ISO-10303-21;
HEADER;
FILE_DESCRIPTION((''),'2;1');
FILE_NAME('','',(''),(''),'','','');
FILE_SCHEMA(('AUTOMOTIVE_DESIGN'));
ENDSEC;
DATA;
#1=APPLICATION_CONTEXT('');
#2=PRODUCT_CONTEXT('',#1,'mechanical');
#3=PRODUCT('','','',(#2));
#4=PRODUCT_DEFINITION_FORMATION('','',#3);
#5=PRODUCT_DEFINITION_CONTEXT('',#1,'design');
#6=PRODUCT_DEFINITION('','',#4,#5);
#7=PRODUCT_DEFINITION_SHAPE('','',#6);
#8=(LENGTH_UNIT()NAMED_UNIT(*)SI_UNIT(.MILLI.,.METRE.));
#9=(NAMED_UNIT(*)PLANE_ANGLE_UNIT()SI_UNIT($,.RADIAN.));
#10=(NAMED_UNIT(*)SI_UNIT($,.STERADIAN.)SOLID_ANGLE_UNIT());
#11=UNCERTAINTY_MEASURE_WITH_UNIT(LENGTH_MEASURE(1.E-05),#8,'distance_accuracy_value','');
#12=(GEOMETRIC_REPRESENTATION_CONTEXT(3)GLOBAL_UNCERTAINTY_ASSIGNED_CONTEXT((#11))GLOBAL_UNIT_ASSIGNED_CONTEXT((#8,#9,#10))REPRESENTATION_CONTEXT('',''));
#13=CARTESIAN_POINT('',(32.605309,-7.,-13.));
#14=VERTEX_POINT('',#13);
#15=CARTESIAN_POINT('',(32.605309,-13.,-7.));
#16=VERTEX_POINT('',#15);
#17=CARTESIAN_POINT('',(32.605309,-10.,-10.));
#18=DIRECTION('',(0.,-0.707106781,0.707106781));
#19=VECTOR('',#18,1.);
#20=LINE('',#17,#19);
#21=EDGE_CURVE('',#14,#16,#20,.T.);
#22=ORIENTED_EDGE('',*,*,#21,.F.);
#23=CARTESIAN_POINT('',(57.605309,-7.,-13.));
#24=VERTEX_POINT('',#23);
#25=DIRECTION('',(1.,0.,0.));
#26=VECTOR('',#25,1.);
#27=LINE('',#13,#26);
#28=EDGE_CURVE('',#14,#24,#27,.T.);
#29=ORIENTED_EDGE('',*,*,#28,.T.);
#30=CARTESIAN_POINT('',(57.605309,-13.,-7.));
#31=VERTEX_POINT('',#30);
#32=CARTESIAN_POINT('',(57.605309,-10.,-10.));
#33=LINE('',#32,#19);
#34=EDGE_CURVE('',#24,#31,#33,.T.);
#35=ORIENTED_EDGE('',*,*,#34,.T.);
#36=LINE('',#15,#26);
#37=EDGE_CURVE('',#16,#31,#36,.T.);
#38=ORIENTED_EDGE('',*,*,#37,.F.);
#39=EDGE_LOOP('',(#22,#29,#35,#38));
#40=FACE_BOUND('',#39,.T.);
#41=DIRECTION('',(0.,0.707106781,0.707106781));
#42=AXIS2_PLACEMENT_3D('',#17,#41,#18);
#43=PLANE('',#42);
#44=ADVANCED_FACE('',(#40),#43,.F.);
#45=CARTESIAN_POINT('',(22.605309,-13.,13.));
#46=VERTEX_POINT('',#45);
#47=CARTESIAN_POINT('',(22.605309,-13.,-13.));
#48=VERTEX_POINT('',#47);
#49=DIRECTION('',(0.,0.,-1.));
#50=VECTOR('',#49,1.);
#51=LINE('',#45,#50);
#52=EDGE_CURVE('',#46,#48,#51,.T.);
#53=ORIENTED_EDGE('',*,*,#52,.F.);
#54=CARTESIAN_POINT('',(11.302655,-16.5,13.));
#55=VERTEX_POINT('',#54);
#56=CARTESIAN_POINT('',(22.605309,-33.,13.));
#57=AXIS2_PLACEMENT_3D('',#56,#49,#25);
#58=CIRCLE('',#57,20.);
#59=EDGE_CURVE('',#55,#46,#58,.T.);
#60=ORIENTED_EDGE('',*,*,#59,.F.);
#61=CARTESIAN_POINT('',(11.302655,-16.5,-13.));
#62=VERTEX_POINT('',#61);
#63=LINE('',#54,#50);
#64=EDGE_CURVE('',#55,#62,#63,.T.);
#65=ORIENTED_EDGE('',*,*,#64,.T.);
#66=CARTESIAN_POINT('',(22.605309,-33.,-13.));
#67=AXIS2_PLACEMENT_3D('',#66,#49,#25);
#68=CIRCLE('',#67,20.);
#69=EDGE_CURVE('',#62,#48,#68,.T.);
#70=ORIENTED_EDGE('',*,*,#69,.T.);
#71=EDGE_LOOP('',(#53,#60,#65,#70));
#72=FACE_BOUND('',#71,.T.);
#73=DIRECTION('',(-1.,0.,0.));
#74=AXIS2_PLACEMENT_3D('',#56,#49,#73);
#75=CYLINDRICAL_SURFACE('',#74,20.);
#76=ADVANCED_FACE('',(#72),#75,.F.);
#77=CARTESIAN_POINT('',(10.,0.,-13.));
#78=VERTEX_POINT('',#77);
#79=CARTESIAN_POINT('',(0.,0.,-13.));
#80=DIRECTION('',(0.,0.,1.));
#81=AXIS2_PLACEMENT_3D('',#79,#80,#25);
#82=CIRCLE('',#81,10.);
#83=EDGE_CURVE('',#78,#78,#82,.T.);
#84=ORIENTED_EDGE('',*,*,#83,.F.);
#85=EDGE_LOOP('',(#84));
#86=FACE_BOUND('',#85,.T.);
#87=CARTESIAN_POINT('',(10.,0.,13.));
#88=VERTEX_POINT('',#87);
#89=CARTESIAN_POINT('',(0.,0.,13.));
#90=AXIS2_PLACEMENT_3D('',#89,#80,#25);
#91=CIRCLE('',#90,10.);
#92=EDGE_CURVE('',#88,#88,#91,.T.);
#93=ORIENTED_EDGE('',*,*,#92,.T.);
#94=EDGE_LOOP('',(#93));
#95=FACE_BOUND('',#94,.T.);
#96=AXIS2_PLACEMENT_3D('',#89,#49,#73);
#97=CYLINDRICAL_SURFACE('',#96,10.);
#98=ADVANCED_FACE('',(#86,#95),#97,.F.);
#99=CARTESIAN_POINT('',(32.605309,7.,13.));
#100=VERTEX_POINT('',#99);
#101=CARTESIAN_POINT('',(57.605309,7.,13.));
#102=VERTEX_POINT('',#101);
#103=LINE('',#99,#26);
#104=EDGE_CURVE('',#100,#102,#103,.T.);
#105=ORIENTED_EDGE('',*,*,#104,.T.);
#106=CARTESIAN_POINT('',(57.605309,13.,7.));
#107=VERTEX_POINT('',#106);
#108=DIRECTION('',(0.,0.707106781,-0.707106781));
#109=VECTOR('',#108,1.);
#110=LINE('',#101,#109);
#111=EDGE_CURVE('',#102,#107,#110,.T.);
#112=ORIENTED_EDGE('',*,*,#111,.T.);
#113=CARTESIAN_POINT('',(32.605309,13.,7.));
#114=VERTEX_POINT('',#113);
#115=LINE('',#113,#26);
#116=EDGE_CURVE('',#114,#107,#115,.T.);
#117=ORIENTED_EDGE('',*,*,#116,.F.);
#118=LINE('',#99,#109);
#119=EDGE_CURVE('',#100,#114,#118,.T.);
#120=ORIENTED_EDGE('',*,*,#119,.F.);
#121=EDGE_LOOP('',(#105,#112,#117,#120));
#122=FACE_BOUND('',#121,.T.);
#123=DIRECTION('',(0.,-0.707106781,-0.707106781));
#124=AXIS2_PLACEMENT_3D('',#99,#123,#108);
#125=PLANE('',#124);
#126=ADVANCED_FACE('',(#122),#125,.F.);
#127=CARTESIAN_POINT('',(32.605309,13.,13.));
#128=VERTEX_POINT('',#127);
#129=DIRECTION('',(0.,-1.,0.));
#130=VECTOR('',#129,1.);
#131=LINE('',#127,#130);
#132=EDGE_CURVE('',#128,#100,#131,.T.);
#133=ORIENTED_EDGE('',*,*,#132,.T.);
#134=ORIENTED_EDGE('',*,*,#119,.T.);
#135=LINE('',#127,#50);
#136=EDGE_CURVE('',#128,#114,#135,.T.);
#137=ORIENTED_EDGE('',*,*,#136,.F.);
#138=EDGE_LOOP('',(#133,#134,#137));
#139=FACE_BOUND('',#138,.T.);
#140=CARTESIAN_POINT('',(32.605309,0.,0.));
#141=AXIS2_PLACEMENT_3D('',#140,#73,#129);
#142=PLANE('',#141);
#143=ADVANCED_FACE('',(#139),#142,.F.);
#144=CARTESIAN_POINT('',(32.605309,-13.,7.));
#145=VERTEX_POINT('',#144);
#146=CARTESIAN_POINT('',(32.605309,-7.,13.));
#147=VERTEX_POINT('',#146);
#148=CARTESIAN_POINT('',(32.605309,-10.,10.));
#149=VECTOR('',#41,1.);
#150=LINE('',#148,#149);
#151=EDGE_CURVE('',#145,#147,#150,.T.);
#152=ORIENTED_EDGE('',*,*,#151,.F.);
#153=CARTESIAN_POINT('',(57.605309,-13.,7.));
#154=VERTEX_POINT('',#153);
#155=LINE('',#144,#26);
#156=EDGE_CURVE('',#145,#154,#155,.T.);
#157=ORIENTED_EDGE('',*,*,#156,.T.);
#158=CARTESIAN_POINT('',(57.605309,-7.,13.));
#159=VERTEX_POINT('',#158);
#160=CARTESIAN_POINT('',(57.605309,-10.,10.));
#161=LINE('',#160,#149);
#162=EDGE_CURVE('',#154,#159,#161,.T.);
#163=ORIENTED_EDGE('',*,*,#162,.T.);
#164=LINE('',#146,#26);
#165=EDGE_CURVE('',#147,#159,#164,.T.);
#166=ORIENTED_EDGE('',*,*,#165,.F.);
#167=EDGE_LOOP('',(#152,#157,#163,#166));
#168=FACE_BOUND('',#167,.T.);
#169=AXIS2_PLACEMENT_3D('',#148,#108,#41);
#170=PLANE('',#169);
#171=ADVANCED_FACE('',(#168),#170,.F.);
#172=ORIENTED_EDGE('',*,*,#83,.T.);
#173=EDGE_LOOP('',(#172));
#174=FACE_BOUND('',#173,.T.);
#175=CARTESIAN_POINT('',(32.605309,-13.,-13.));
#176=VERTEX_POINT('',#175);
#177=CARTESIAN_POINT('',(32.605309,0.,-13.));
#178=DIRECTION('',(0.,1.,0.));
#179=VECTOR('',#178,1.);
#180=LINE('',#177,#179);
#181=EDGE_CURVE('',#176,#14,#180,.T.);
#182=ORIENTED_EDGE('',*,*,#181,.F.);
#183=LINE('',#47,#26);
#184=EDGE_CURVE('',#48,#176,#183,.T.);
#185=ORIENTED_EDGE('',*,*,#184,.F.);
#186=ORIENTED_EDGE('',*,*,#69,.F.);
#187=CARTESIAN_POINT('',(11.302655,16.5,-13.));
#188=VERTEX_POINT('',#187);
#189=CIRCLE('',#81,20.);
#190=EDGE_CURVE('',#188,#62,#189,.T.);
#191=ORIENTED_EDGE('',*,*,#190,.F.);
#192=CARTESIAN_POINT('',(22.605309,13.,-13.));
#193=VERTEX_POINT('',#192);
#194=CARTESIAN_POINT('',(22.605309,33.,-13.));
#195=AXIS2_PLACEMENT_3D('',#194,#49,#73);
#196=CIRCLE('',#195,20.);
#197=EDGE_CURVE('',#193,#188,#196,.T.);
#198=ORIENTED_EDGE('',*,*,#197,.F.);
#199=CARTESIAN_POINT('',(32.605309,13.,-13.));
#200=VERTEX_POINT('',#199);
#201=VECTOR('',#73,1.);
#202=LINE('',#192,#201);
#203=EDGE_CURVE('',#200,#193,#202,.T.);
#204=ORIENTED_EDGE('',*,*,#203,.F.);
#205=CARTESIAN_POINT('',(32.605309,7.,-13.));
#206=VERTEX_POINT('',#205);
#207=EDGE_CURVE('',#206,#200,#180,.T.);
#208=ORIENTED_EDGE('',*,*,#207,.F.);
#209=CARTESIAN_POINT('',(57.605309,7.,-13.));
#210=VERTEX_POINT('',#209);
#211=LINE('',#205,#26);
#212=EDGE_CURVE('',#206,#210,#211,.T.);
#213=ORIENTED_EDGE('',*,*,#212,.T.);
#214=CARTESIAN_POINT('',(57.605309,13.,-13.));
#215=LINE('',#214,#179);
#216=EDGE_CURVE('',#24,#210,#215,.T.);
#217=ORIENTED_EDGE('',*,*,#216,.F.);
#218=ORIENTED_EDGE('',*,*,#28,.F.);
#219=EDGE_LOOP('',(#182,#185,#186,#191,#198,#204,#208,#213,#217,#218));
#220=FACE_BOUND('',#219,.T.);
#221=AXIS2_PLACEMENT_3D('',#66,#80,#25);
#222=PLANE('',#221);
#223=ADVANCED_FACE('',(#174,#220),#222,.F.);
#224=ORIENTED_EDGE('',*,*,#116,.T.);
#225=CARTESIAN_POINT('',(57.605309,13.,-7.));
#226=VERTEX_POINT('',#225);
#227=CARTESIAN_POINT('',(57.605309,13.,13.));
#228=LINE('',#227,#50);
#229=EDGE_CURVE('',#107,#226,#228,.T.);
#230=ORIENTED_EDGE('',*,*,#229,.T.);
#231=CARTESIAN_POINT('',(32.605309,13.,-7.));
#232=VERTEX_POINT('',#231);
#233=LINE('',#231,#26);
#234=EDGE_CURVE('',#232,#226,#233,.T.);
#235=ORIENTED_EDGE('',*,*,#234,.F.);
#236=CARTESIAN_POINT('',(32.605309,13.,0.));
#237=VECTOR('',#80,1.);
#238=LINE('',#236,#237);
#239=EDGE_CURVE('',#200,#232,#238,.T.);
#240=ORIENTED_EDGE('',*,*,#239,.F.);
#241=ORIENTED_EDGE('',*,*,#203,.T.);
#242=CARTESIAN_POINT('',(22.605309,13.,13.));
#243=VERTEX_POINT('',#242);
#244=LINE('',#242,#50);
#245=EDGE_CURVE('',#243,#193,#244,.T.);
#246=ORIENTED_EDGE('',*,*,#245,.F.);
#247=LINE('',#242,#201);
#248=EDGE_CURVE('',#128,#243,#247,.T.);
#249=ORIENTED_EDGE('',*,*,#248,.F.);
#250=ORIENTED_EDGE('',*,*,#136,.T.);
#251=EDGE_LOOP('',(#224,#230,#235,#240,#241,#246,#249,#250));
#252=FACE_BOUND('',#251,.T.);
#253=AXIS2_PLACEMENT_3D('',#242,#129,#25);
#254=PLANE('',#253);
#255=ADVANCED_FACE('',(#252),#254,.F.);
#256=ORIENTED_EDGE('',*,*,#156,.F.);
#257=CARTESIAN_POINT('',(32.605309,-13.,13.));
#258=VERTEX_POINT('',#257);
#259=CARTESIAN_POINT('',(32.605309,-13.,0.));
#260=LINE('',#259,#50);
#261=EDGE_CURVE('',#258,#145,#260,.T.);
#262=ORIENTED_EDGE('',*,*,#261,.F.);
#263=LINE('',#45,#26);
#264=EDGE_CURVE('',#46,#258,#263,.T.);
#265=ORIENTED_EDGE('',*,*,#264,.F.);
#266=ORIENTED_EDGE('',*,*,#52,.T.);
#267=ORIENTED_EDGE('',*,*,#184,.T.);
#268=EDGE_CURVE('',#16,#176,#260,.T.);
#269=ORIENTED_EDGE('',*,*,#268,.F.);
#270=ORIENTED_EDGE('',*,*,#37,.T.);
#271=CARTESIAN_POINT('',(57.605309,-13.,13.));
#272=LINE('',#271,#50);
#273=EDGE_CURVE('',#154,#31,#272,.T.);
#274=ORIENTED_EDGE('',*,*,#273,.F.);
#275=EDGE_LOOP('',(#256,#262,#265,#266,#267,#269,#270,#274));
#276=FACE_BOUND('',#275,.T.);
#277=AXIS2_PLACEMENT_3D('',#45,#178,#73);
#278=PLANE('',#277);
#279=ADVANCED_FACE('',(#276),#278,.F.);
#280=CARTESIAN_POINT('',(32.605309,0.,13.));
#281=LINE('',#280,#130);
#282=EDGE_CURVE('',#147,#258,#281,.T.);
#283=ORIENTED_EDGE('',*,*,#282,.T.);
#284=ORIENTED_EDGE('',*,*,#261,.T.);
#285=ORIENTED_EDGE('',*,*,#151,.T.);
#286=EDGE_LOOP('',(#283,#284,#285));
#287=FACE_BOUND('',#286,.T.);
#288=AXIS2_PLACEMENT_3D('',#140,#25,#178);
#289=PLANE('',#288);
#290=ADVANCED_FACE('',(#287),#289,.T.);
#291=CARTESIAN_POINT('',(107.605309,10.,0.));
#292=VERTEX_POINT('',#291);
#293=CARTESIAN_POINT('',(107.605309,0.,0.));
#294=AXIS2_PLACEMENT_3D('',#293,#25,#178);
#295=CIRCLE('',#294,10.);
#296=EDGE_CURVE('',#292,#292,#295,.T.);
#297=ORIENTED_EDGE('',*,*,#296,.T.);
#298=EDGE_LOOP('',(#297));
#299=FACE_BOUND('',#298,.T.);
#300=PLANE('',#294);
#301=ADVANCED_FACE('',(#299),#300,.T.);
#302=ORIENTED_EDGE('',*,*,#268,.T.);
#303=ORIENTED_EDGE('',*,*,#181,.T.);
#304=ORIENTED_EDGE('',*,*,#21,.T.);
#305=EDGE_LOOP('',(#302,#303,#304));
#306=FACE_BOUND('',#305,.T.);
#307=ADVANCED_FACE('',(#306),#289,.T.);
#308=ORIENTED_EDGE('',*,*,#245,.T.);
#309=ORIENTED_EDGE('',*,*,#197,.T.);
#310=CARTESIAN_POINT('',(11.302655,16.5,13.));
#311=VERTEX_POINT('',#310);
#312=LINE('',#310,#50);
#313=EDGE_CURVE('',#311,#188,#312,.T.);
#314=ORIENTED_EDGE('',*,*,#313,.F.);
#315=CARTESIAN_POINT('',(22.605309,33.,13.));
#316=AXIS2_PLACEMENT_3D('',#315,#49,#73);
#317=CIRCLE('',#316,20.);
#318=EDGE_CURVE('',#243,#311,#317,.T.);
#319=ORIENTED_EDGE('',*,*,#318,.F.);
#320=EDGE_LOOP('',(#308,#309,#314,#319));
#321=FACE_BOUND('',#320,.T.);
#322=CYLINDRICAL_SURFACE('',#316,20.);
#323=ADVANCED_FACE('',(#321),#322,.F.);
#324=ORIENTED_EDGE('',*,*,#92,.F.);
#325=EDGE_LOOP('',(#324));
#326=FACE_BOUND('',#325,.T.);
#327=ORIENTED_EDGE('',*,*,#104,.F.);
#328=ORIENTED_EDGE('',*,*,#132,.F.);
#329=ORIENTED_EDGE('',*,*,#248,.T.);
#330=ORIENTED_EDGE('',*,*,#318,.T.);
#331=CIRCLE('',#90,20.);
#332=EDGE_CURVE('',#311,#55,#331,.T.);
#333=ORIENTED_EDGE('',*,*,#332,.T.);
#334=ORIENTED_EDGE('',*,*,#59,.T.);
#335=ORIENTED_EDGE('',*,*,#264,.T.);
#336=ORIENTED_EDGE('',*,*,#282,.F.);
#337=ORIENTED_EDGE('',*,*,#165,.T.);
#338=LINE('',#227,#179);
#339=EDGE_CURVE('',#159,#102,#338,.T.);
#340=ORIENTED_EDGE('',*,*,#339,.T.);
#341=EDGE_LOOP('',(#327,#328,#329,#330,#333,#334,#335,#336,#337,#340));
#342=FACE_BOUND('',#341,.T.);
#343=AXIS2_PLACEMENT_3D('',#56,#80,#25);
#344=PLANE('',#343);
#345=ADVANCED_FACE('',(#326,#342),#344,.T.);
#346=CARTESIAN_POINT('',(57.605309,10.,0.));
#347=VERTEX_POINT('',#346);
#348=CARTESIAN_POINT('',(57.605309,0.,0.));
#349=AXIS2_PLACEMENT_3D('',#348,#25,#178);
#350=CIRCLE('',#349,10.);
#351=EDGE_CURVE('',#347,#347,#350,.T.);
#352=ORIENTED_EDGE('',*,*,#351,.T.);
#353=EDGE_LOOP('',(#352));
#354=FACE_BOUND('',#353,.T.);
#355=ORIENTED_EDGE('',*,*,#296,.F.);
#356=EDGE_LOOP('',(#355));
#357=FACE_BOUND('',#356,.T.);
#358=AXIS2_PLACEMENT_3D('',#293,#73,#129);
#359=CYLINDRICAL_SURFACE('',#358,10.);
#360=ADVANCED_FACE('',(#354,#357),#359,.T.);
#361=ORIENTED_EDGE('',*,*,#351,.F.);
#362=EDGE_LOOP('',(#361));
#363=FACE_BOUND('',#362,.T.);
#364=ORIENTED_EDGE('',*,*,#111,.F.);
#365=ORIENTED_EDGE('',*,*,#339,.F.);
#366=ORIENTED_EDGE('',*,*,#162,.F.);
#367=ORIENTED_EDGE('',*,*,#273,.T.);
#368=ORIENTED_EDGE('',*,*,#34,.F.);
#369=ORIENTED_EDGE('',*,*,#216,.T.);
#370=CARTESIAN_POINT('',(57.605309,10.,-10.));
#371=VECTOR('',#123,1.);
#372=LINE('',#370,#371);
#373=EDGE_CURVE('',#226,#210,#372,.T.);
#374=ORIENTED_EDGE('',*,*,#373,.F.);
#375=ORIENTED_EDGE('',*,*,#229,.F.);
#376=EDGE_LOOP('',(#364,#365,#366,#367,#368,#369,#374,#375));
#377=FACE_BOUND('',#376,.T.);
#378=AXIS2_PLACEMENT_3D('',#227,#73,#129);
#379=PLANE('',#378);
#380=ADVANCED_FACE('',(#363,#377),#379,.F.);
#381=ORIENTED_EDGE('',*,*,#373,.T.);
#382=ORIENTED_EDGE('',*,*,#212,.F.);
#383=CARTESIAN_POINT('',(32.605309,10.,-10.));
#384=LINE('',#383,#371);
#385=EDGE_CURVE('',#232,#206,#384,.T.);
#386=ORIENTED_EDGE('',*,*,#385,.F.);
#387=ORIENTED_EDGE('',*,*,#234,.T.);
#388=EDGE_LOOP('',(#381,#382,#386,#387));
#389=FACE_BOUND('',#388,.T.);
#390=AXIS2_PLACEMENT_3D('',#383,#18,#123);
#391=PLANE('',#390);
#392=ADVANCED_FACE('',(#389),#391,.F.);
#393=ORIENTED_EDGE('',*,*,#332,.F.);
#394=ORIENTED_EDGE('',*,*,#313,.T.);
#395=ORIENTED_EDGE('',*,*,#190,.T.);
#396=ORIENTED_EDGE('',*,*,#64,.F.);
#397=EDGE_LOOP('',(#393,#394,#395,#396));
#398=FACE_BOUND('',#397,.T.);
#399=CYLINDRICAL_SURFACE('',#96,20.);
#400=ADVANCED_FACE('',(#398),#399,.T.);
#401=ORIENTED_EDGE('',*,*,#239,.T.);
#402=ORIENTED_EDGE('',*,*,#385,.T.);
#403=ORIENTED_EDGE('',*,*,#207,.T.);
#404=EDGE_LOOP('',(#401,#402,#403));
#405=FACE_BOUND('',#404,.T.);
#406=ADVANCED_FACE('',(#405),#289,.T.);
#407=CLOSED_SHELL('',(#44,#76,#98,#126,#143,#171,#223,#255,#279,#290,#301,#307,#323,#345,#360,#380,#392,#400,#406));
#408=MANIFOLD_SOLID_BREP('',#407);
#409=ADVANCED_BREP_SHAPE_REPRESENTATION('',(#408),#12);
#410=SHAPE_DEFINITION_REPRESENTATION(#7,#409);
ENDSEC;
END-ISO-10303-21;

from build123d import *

# Parameters (mm, degrees)
SKETCH1_R           = 10
BOSS_EXTRUDE1_DEPTH = 13
CUT_EXTRUDE1_DEPTH  = 25
SKETCH3_3_R         = 10
BOSS_EXTRUDE2_DEPTH = 50


with BuildPart() as part:
    # Sketch1 → Boss-Extrude1 (new, symmetric)
    with BuildSketch(Plane.XY):
        with BuildLine():
            Line((57.605309111, 13), (57.605309111, -13))
            Line((57.605309111, -13), (22.605309111, -13))
            ThreePointArc((22.605309111, -13), (16.689229328, -13.895026825), (11.302654555, -16.5))
            ThreePointArc((11.302654555, -16.5), (-20, 0), (11.302654555, 16.5))
            ThreePointArc((11.302654555, 16.5), (16.689229328, 13.895026825), (22.605309111, 13))
            Line((22.605309111, 13), (57.605309111, 13))
        make_face()
        Circle(SKETCH1_R, mode=Mode.SUBTRACT)
    extrude(amount=BOSS_EXTRUDE1_DEPTH, both=True)

    # Sketch3 → Cut-Extrude1 (cut)
    with BuildSketch(Plane(origin=(57.605309111, 0, 0), x_dir=(0, 0, -1), z_dir=(1, 0, 0))):
        Polygon((13, 7), (13, 13), (7, 13), align=None)
        Polygon((13, -13), (13, -7), (7, -13), align=None)
        Polygon((-13, 7), (-7, 13), (-13, 13), align=None)
        Polygon((-13, -13), (-7, -13), (-13, -7), align=None)
    extrude(amount=-CUT_EXTRUDE1_DEPTH, mode=Mode.SUBTRACT)

    # Sketch3<3> → Boss-Extrude2 (add)
    with BuildSketch(Plane(origin=(57.605309111, 0, 0), x_dir=(0, 0, -1), z_dir=(1, 0, 0))):
        Circle(SKETCH3_3_R)
    extrude(amount=BOSS_EXTRUDE2_DEPTH)


solid = part.part
